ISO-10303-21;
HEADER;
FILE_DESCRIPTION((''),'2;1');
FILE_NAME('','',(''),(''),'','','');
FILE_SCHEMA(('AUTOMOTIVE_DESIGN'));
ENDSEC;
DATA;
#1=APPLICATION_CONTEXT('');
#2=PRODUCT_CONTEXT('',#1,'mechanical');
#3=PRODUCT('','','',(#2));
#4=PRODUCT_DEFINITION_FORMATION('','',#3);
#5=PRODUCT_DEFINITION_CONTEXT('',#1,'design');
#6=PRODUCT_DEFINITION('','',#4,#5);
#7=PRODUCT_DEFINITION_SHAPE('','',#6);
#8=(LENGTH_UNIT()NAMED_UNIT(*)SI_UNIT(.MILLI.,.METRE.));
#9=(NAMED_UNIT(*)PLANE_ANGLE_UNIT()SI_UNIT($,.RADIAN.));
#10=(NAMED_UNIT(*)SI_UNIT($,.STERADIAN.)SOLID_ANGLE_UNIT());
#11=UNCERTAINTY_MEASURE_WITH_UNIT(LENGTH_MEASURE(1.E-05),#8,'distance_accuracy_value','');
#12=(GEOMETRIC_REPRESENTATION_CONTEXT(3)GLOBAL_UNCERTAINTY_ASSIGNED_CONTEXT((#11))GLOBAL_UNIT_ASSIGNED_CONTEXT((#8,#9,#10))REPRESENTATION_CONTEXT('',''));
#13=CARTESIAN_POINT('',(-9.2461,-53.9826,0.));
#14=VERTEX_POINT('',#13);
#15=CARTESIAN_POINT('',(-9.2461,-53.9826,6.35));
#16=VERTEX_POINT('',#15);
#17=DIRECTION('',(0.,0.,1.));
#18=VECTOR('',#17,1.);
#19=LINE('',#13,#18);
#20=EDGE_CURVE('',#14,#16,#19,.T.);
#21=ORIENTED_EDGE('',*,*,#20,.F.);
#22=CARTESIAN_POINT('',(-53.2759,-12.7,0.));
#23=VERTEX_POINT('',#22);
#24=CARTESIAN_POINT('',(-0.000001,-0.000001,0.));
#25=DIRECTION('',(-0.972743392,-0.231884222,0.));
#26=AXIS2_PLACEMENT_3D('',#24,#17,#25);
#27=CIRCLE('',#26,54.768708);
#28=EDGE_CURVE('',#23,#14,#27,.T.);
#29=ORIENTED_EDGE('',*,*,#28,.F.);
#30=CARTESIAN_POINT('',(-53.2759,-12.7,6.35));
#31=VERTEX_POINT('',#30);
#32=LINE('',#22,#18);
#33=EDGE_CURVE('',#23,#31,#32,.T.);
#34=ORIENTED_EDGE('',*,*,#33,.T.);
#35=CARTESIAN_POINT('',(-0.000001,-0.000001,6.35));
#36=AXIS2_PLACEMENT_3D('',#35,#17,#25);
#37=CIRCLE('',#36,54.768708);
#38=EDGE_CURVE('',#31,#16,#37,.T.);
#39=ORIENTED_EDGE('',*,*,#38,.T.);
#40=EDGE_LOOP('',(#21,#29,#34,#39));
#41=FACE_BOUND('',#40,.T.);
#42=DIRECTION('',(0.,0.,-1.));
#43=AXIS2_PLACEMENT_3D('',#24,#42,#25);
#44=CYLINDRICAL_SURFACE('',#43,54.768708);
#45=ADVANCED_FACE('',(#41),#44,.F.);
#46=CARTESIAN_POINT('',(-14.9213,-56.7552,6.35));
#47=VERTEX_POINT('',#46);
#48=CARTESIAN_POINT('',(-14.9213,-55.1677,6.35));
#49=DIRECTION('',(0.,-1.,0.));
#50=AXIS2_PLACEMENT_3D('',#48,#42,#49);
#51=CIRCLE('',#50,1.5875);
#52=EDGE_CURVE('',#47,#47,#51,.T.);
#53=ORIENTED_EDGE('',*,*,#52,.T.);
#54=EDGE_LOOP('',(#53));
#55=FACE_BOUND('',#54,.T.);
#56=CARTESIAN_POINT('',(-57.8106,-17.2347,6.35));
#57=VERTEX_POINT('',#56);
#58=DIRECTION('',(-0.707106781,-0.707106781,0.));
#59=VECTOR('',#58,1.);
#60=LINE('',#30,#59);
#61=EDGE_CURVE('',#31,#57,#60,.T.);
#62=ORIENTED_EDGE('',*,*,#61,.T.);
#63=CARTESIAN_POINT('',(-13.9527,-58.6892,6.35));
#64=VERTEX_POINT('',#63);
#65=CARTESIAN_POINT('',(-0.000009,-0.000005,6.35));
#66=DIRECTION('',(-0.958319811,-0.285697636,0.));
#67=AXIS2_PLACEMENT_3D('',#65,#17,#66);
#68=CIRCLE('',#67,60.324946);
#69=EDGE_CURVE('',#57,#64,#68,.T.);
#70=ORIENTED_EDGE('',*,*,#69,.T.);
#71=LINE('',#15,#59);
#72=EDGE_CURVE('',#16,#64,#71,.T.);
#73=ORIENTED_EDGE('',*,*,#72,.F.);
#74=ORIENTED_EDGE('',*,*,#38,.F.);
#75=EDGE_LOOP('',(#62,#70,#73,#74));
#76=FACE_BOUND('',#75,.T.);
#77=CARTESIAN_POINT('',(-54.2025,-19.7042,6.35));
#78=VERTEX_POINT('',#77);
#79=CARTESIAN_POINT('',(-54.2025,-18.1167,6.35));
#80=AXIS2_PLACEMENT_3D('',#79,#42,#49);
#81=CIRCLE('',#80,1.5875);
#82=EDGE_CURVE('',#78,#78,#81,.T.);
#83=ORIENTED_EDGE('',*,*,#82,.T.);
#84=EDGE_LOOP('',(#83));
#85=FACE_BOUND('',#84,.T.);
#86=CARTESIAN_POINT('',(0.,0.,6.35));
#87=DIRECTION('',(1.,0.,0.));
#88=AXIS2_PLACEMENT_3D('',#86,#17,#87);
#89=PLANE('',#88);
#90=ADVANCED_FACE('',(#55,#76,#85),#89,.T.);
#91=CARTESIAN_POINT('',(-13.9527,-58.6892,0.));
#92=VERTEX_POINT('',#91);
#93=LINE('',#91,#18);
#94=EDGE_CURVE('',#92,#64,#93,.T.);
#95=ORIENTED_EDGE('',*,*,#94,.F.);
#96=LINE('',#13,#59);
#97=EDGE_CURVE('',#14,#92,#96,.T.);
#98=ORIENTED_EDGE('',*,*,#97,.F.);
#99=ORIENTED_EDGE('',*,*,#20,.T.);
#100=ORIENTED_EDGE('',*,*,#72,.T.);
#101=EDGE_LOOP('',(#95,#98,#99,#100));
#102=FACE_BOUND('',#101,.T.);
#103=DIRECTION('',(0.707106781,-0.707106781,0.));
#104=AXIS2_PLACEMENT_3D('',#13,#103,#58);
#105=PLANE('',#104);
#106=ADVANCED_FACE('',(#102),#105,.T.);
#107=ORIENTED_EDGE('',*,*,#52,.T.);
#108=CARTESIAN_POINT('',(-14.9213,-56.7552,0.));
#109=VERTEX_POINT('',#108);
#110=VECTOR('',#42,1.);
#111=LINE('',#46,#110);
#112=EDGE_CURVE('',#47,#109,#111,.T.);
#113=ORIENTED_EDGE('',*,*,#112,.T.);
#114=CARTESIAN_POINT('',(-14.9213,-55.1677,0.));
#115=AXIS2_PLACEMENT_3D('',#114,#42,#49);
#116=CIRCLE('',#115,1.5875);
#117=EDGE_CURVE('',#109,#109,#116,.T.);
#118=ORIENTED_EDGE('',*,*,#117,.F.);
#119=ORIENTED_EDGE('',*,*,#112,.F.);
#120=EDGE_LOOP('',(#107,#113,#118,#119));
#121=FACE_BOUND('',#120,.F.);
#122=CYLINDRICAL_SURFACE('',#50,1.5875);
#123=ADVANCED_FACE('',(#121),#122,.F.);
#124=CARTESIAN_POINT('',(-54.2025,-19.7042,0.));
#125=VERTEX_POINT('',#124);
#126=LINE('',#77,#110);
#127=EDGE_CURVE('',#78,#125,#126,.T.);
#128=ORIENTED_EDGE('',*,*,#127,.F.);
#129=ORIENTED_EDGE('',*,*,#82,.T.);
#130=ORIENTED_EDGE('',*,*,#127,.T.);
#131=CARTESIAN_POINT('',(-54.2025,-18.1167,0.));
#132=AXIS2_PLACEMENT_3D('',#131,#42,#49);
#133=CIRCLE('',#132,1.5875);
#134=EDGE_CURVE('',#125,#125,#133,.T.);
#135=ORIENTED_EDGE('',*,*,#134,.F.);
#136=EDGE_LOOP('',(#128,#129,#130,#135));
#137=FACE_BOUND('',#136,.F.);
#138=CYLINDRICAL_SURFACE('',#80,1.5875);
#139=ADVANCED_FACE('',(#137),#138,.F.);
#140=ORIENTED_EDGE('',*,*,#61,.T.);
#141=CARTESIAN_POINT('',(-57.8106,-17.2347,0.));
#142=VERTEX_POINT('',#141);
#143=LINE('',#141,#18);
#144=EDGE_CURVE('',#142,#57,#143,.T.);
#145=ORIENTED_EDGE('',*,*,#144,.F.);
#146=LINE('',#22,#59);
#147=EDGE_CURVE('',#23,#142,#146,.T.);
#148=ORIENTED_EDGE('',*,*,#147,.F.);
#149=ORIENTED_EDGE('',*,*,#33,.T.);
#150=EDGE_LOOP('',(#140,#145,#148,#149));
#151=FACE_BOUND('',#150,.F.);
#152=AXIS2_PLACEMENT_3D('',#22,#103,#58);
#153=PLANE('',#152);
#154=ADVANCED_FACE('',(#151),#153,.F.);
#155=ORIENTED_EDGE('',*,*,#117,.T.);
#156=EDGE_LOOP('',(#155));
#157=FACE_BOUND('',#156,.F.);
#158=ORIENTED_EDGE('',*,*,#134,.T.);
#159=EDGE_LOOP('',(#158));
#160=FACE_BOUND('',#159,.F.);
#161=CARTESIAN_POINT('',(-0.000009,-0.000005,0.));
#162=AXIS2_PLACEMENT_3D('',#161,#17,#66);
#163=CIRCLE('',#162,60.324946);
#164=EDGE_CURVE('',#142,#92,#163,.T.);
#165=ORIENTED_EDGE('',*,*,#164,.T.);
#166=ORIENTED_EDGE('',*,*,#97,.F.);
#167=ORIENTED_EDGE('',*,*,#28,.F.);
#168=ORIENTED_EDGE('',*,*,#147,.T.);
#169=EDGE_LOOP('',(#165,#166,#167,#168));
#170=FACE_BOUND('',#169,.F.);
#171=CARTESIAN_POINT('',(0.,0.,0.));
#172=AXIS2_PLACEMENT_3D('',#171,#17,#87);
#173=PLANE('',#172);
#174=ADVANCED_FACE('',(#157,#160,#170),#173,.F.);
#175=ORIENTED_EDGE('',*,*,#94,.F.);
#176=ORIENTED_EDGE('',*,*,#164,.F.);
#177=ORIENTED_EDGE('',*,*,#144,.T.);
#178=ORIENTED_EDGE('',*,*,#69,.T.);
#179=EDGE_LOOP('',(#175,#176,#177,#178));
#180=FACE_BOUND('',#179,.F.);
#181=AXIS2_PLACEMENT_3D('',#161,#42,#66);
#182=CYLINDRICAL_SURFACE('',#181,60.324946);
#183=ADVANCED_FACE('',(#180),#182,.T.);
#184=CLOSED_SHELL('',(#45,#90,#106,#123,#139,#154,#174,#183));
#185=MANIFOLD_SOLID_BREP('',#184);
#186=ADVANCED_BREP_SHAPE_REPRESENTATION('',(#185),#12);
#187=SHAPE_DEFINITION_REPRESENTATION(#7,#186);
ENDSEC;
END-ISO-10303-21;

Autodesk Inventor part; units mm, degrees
ref_plane "YZ Plane" through (0, 0, 0) normal (1, 0, 0) x (0, 1, 0)
ref_plane "XZ Plane" through (0, 0, 0) normal (0, 1, 0) x (-1, 0, 0)
ref_plane "XY Plane" through (0, 0, 0) normal (0, 0, 1) x (1, 0, 0)
sketch "Sketch1" plane through (0, 0, 0) normal (0, 0, 1) x (1, 0, 0)
  line L0 (-86.8355, 0) -> (77.4434, 0) projected
  line L1 (0, -88.2763) -> (0, 77.6836) projected
  circle A0 centre (0, 0) radius 53.975 construction
  line L2 (-53.2759, -12.7) -> (-57.8106, -17.2347)
  line L3 (-9.2461, -53.9826) -> (-13.9527, -58.6892)
  arc A1 (-53.2759, -12.7) -> (-9.2461, -53.9826) centre (0, 0) ccw
  arc A2 (-57.8106, -17.2347) -> (-13.9527, -58.6892) centre (0, 0) ccw
  point P0 (-54.2025, -18.1167)
  point P1 (-14.9213, -55.1677)
  dimension "d16" = 107.95
  dimension "d17" = 60.325
  dimension "d18" = 5.5563
  dimension "d19" = 0.7937
  dimension "d20" = 3.175
  dimension "d21" = 3.175
  dimension "d22" = 57.15
  dimension "d23" = 57.15
  dimension "d24" = 45
  dimension "d25" = 12.7
extrude "Extrusion1" add sketch "Sketch1" along normal blind 6.35
sketch "Sketch2" plane through (0, 0, 6.35) normal (0, 0, 1) x (1, 0, 0)
  circle A0 centre (0, 0) radius 53.975 construction
  arc A1 (-57.8106, -17.2347) -> (-13.9527, -58.6892) centre (0, 0) ccw projected
  line L0 (-57.8106, -17.2347) -> (-53.2759, -12.7) projected
  arc A2 (-53.2759, -12.7) -> (-9.2461, -53.9826) centre (0, 0) ccw projected
  line L1 (-9.2461, -53.9826) -> (-13.9527, -58.6892) projected
  line L2 (0, -88.9565) -> (0, 77.7969) projected
  line L3 (-87.5032, 0) -> (77.5547, 0) projected
  point P0 (-14.9213, -55.1677)
  point P1 (-54.2025, -18.1167)
  dimension "d27" = 107.95
  dimension "d33" = 57.15
  dimension "d34" = 57.15
  dimension "d37" = 3.175
  dimension "d38" = 3.175
hole "Hole1" at (-54.2025, -18.1167, 6.35) at (-14.9213, -55.1677, 6.35) direction (0, 0, -1) diameter 3.175 end through all
properties part number "motor stay bottom"
